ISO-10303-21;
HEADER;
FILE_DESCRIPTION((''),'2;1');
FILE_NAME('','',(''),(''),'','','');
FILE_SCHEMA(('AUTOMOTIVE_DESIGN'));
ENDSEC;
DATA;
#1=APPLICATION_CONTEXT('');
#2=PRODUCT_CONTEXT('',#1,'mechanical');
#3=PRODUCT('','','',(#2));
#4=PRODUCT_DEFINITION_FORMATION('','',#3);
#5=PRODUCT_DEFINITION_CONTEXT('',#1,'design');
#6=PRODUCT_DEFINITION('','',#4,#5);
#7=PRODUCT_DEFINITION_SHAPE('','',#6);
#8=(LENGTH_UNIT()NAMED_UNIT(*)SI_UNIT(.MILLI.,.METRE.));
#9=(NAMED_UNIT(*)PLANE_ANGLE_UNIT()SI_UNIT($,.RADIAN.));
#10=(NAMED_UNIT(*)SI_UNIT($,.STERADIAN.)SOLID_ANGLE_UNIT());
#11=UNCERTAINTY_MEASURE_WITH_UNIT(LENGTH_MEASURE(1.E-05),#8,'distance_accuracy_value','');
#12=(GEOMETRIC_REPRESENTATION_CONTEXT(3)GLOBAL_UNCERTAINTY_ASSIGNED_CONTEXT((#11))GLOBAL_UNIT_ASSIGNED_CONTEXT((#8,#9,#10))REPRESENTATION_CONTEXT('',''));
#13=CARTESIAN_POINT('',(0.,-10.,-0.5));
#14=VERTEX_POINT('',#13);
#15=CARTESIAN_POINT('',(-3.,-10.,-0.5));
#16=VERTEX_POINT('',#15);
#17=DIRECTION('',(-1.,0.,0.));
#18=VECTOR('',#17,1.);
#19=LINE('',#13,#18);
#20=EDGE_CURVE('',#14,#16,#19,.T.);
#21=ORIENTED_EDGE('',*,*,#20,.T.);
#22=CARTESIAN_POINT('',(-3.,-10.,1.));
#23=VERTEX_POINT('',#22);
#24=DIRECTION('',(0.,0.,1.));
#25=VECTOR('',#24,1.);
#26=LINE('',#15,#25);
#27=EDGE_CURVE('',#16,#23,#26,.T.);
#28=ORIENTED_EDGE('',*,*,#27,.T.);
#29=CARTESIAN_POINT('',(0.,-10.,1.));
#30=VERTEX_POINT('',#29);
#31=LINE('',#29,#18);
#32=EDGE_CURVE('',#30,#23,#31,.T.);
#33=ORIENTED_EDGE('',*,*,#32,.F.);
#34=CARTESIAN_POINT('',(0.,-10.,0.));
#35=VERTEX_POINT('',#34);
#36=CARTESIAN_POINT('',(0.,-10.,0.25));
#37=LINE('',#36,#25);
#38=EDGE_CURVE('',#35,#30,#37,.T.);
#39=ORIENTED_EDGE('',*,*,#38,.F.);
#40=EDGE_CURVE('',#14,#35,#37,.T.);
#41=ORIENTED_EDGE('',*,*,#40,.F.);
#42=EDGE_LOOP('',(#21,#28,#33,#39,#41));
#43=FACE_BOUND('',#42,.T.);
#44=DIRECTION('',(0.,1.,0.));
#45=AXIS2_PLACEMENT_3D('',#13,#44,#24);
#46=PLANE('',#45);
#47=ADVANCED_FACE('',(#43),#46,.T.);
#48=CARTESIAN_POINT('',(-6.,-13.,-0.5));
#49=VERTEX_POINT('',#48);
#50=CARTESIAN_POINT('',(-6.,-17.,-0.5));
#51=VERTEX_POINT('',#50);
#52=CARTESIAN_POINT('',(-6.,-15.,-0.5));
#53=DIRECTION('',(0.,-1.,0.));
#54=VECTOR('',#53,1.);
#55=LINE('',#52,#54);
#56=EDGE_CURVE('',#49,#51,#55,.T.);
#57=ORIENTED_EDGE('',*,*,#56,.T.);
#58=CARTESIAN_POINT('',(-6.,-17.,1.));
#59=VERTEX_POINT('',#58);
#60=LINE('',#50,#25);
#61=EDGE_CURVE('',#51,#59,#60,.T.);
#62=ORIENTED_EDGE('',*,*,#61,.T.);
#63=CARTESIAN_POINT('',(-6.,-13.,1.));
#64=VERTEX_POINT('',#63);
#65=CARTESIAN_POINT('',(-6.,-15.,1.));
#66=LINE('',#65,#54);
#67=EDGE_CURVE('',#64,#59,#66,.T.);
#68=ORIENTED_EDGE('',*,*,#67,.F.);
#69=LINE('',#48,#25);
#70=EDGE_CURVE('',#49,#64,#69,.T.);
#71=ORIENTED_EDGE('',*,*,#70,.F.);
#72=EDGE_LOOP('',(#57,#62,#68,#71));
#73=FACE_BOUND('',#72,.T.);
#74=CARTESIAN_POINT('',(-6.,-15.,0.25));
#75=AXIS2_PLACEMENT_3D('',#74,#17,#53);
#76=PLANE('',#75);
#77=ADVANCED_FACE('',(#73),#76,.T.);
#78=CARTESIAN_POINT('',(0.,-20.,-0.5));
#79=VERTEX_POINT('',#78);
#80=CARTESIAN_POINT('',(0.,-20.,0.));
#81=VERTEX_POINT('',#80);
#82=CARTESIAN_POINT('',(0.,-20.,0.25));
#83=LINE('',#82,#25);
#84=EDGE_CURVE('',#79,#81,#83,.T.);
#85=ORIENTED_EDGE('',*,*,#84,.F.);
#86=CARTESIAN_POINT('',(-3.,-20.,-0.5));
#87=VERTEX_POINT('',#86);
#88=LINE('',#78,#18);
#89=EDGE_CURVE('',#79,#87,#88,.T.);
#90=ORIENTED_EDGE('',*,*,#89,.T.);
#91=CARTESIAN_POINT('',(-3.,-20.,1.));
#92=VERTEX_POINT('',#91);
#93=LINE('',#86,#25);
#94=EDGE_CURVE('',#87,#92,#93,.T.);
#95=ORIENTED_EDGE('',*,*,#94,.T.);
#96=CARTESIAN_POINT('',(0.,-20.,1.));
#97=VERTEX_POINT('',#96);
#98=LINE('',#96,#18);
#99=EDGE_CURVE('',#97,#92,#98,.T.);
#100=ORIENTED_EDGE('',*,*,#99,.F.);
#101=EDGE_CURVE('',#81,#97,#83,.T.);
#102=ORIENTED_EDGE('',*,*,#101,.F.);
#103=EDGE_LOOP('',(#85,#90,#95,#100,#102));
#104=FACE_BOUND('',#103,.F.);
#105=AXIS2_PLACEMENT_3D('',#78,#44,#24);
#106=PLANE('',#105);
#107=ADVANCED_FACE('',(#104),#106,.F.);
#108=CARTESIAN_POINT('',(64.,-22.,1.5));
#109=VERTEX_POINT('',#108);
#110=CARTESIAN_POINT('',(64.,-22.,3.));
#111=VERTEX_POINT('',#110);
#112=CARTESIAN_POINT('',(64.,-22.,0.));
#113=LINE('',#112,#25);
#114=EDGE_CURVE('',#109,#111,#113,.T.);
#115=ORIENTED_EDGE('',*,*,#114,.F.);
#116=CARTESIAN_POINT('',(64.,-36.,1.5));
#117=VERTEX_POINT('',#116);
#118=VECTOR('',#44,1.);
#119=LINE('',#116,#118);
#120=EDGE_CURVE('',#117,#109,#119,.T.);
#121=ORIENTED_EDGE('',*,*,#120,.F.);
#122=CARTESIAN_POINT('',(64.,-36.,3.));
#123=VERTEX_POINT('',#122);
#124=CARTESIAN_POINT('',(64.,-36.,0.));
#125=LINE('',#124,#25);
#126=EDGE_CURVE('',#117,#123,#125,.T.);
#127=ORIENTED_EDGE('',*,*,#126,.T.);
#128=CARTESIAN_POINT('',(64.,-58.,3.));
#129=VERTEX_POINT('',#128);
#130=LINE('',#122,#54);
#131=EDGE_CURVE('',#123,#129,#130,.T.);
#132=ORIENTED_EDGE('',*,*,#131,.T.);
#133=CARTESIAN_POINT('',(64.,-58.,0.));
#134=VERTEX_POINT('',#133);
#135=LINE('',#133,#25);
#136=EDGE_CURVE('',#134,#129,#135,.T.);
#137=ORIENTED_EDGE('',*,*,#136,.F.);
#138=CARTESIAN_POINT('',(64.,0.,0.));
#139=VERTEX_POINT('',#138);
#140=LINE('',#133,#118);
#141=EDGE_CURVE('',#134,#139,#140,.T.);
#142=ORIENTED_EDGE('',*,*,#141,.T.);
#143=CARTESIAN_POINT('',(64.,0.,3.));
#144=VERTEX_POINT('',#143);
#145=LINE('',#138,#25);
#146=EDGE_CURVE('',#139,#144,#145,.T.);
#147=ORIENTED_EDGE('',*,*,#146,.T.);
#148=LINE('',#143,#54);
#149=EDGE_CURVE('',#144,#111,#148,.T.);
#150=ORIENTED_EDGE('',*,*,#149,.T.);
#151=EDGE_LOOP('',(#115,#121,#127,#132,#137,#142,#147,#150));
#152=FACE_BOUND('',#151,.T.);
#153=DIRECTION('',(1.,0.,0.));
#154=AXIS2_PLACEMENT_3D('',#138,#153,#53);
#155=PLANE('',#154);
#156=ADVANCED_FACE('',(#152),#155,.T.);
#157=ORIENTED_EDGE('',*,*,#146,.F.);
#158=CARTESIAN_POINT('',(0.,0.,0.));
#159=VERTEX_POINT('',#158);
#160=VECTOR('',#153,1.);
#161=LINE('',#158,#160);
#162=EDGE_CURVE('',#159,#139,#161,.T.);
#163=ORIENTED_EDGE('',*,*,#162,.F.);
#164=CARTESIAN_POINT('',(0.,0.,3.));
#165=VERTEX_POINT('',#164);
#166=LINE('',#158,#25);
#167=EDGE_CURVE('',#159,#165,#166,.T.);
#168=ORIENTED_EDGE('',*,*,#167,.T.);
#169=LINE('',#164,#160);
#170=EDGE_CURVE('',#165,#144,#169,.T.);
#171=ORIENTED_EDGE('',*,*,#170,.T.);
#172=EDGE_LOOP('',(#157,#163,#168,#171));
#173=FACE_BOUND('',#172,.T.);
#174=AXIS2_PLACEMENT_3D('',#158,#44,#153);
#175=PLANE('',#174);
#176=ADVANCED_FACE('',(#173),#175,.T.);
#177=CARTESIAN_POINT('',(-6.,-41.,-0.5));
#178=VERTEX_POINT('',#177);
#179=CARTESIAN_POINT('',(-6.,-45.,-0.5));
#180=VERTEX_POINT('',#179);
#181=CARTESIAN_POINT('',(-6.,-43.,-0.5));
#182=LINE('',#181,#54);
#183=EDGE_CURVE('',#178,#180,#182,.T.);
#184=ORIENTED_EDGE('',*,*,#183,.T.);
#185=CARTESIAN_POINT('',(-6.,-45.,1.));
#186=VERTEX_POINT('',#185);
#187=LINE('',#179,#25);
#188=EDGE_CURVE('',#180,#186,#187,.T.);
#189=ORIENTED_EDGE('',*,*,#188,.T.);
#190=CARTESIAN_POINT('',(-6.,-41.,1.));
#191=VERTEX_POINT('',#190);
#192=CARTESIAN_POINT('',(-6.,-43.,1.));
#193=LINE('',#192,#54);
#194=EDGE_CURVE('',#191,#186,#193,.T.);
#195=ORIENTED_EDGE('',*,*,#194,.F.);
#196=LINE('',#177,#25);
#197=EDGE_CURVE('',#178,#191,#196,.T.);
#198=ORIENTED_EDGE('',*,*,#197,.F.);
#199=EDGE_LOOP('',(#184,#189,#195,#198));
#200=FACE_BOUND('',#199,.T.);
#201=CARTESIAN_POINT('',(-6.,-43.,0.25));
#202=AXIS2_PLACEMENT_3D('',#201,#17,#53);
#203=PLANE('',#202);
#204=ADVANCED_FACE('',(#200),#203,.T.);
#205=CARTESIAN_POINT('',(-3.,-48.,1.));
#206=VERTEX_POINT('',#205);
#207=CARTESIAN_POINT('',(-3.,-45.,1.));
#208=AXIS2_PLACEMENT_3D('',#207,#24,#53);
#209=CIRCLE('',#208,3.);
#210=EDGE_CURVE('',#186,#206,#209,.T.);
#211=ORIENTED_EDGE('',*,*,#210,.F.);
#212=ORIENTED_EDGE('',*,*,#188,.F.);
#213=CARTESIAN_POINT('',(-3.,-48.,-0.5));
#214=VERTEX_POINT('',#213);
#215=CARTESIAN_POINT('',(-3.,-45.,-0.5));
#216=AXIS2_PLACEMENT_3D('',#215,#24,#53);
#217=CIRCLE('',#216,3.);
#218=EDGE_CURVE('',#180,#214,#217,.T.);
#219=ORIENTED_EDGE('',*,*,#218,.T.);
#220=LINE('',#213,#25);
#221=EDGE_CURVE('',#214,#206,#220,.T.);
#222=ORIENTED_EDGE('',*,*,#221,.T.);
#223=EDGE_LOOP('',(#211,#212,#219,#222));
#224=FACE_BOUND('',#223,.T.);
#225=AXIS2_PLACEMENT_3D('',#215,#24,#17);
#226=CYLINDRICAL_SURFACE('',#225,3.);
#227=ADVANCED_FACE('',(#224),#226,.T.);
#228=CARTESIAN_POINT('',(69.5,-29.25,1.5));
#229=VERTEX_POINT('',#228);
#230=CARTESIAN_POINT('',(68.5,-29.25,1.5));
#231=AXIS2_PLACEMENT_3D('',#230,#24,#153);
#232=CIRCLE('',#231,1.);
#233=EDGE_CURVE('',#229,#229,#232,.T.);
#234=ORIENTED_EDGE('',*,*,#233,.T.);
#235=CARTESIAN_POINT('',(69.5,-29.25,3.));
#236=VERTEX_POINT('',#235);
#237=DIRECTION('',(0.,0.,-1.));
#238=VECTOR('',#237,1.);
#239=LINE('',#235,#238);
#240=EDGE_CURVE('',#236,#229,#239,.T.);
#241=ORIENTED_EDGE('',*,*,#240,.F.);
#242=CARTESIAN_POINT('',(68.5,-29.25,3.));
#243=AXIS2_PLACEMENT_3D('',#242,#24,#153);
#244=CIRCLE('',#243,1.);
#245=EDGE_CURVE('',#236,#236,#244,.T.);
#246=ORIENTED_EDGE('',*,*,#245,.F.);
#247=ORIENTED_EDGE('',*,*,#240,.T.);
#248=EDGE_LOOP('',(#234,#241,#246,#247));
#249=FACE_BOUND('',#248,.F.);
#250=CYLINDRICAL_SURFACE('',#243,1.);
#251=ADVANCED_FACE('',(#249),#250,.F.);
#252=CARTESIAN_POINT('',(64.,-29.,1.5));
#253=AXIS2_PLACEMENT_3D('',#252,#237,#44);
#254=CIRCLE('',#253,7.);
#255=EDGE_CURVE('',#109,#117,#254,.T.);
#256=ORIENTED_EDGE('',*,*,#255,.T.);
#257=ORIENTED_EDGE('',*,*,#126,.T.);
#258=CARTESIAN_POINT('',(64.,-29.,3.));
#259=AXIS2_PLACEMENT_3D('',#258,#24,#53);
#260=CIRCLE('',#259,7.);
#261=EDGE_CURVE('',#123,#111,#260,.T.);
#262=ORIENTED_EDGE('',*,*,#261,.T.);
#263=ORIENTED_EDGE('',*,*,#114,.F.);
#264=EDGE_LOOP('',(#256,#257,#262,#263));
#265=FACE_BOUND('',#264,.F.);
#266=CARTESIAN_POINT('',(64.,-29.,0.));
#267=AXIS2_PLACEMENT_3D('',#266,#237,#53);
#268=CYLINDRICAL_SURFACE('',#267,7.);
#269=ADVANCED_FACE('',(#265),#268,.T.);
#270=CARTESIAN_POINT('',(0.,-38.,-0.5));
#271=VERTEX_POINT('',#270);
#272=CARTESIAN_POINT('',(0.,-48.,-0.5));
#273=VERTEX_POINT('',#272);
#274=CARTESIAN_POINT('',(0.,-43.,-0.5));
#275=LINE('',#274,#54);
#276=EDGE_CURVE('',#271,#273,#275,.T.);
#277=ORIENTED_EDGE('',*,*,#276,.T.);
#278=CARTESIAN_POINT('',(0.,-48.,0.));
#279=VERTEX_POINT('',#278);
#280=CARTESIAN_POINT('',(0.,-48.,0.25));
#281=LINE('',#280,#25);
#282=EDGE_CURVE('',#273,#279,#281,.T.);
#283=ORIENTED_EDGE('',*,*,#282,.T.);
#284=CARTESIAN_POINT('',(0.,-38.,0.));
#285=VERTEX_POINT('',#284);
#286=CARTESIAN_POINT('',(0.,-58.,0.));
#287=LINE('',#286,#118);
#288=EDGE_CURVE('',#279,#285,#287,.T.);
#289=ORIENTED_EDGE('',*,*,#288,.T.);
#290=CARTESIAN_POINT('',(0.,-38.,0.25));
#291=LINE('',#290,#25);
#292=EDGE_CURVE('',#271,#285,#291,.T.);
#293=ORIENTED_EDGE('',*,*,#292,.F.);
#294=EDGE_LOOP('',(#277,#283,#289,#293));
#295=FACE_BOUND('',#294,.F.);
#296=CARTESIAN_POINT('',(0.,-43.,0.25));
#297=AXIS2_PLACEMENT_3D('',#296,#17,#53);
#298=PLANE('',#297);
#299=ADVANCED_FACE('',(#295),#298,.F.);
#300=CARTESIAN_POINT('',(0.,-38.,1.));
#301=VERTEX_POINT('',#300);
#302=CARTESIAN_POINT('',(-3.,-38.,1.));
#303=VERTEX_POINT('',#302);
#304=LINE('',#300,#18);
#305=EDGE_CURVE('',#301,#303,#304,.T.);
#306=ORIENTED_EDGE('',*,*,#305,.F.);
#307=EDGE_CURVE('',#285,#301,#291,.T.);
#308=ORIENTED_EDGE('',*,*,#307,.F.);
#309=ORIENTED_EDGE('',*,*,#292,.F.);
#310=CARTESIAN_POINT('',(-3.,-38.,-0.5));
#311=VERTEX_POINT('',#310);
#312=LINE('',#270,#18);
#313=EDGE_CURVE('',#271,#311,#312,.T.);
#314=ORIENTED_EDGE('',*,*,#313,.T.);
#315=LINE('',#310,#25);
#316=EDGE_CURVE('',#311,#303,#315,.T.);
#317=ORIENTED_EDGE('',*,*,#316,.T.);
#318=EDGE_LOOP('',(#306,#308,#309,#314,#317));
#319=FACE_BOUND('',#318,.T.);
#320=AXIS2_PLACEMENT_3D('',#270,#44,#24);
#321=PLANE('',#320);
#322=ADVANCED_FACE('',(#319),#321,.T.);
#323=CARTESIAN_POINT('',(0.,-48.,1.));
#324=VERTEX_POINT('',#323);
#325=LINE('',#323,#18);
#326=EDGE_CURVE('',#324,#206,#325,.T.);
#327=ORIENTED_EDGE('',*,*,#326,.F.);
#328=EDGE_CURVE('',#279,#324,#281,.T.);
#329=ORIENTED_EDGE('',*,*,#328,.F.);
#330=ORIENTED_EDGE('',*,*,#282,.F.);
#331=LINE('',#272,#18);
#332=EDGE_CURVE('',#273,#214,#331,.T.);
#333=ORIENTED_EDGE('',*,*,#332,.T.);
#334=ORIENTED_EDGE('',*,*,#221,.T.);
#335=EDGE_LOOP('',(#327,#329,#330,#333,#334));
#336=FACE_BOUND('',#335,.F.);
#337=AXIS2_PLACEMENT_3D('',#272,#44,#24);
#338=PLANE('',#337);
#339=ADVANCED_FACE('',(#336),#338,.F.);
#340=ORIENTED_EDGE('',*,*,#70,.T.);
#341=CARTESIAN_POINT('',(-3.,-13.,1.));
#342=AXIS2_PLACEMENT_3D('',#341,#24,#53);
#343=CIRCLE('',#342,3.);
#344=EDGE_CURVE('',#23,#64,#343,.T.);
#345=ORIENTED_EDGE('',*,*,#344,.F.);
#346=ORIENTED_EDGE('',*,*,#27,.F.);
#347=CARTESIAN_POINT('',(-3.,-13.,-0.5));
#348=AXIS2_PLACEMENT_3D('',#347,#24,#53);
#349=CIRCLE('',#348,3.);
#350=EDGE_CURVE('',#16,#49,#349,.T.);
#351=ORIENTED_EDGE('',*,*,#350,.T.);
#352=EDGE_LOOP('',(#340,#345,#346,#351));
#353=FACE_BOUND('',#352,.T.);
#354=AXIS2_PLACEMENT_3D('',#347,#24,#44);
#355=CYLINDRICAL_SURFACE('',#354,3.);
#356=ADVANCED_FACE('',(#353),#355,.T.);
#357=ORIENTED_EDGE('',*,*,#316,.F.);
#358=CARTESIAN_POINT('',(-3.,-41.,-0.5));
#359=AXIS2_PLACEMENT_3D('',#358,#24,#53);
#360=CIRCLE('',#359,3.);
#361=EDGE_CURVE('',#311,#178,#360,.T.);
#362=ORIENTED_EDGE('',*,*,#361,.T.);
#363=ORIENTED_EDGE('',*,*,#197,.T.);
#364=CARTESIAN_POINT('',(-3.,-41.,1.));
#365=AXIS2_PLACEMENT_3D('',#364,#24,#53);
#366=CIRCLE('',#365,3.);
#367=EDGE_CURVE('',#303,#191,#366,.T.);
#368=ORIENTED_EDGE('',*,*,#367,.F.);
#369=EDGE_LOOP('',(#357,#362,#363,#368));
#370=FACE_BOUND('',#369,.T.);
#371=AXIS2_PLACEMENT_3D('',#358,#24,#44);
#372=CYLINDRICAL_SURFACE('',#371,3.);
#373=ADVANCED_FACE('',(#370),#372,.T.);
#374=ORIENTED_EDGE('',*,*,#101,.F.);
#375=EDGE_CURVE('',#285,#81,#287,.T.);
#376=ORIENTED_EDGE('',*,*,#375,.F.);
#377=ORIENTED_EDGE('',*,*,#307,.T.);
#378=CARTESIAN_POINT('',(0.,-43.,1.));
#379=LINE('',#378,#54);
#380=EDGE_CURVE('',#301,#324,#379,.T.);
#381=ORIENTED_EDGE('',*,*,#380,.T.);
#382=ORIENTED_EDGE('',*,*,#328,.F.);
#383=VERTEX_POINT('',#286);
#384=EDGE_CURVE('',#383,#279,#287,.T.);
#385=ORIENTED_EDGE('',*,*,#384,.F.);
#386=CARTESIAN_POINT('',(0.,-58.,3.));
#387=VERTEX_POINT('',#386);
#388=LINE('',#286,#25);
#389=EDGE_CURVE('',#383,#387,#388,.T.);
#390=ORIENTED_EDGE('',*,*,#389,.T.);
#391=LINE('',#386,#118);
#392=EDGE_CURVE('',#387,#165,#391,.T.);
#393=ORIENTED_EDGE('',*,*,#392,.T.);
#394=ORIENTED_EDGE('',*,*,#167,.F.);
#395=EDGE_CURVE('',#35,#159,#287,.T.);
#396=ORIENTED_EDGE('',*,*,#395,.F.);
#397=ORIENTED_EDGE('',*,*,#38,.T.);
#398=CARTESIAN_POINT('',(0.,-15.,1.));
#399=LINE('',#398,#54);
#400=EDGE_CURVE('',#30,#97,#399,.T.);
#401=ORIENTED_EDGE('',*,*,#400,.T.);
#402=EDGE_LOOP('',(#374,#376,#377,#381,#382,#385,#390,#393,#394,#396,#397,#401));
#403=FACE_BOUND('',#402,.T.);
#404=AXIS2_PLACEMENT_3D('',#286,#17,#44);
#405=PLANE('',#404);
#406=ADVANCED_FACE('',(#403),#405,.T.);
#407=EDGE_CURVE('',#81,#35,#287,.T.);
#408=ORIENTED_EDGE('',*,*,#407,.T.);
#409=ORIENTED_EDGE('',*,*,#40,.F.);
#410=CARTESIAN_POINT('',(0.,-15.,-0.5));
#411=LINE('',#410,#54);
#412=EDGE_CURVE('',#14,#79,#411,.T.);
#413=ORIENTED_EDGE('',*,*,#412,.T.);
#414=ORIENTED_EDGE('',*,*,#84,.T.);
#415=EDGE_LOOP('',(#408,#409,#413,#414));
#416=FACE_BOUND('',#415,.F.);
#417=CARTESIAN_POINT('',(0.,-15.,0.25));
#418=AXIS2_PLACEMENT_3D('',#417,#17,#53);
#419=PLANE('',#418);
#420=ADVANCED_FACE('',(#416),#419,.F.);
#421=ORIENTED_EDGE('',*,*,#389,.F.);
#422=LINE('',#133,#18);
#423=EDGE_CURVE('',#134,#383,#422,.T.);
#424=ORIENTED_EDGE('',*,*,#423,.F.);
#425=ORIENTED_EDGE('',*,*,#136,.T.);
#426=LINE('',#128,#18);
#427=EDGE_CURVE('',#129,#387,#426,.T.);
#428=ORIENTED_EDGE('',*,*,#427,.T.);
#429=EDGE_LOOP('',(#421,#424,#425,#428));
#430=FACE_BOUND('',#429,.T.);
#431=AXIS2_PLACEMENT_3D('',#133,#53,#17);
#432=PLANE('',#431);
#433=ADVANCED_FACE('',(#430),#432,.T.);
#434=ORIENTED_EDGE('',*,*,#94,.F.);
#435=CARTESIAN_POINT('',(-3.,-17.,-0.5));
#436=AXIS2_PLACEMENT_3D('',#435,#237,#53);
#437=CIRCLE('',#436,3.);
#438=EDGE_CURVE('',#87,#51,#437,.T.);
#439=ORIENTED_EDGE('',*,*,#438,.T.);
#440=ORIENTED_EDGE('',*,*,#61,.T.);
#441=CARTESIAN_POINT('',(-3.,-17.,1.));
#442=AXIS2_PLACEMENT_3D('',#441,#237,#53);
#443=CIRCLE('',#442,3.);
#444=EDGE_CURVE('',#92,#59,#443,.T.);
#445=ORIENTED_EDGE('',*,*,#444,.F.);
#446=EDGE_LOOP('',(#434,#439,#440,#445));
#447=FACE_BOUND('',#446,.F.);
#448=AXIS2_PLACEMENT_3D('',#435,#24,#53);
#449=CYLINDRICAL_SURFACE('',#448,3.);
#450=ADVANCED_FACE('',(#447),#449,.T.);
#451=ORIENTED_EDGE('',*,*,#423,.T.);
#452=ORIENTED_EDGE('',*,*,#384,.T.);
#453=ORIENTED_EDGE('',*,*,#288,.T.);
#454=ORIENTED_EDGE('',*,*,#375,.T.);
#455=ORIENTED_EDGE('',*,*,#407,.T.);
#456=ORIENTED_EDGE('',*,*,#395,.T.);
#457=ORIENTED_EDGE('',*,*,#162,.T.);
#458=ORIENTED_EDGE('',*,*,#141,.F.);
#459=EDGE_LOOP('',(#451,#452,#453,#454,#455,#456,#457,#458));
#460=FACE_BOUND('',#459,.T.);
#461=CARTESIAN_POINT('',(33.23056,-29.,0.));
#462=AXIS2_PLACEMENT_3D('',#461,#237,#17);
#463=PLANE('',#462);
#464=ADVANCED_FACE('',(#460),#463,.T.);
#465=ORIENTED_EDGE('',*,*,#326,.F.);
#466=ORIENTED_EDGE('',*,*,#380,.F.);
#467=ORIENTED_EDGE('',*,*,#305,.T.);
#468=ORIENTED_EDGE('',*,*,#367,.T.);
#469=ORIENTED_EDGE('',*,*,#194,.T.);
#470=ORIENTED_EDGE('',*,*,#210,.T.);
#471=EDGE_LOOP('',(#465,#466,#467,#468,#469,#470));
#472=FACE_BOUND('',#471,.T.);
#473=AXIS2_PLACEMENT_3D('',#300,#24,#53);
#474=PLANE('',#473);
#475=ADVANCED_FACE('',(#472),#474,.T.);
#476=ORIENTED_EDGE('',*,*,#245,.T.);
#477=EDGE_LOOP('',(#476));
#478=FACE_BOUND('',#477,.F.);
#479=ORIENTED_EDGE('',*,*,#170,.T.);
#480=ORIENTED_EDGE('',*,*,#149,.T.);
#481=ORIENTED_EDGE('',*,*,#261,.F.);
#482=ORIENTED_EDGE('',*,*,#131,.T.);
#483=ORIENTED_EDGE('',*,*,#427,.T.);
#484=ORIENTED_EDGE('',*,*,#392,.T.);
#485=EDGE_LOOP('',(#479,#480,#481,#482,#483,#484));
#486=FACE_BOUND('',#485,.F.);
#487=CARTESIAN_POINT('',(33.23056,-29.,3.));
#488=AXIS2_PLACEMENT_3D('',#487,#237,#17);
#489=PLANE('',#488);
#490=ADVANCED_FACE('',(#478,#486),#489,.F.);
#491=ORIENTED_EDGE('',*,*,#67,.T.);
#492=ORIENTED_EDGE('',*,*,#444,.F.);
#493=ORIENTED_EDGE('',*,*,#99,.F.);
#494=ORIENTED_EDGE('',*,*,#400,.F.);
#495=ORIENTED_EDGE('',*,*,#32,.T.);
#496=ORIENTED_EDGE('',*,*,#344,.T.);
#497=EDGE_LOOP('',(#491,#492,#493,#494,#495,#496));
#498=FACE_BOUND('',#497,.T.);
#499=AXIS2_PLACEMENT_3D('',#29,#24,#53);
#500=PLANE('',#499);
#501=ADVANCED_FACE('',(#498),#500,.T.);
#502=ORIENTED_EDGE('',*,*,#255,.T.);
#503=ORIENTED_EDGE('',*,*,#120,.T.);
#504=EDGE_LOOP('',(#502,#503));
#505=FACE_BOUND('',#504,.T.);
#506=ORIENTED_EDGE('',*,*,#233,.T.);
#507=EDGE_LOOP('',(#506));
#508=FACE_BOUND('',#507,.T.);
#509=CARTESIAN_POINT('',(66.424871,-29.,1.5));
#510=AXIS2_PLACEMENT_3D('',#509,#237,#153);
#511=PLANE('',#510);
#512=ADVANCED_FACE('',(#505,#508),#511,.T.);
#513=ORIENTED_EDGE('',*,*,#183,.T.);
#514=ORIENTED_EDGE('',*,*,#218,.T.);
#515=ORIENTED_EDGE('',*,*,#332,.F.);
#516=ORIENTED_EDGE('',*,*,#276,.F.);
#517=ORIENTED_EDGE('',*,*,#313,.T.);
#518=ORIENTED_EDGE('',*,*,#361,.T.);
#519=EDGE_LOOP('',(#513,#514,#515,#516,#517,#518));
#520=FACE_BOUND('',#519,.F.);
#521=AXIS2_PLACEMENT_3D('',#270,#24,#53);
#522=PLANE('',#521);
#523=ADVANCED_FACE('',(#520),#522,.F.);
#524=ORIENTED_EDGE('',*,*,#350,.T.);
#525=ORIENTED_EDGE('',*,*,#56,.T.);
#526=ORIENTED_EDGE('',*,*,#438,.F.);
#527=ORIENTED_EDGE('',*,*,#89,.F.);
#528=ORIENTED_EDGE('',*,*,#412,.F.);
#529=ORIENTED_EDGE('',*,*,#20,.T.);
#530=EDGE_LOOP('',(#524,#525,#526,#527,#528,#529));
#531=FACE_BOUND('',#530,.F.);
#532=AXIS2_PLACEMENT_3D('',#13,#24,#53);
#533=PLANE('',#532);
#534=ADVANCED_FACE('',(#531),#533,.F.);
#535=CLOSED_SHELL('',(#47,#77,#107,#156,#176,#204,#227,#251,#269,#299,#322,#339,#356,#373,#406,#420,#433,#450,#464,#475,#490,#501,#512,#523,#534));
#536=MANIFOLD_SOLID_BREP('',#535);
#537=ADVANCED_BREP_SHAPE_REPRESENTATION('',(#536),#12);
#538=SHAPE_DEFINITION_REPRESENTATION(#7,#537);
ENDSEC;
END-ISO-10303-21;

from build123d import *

# Parameters (mm, degrees)
PAD_DEPTH       = 3
POCKET_DEPTH    = 1.5
SKETCH003_R     = 1
POCKET001_DEPTH = 3.001
SKETCH004_W     = 10
SKETCH004_H     = 1.5
PAD001_DEPTH    = 6
FILLET_R        = 3


with BuildPart() as part:
    # Sketch → Pad (new body)
    with BuildSketch(Plane.XY):
        with BuildLine():
            Line((0, 0), (64, 0))
            Line((64, 0), (64, -22))
            ThreePointArc((64, -36), (71, -29), (64, -22))
            Line((64, -36), (64, -58))
            Line((64, -58), (0, -58))
            Line((0, -58), (0, 0))
        make_face()
    extrude(amount=PAD_DEPTH)

    # Sketch001 (on Face7 of Pad) → Pocket (cut)
    with BuildSketch(Plane(origin=(0, 0, 0), x_dir=(1, 0, 0), z_dir=(0, 0, -1))):
        with BuildLine():
            ThreePointArc((64, 22), (71, 29), (64, 36))
            Line((64, 36), (64, 22))
        make_face()
    extrude(amount=-POCKET_DEPTH, mode=Mode.SUBTRACT)

    # Sketch003 → Pocket001 (cut, through all)
    with BuildSketch(Plane.XY.offset(3)):
        with Locations((68.5, -29.25)):
            Circle(SKETCH003_R)
    extrude(amount=-POCKET001_DEPTH, mode=Mode.SUBTRACT)

    # Sketch004 (on Face9 of Pocket001) → Pad001 (join)
    with BuildSketch(Plane(origin=(0, 0, 0), x_dir=(0, -1, 0), z_dir=(-1, 0, 0))):
        with Locations((43, 0.25)):
            Rectangle(SKETCH004_W, SKETCH004_H)
        with Locations((15, 0.25)):
            Rectangle(SKETCH004_W, SKETCH004_H)
    extrude(amount=PAD001_DEPTH)

    # Fillet
    fillet_edges = [part.edges().sort_by_distance(p)[0] for p in [
        (-6, -48, 0.25),
        (-6, -38, 0.25),
        (-6, -20, 0.25),
        (-6, -10, 0.25),
    ]]
    fillet(fillet_edges, radius=FILLET_R)


solid = part.part
